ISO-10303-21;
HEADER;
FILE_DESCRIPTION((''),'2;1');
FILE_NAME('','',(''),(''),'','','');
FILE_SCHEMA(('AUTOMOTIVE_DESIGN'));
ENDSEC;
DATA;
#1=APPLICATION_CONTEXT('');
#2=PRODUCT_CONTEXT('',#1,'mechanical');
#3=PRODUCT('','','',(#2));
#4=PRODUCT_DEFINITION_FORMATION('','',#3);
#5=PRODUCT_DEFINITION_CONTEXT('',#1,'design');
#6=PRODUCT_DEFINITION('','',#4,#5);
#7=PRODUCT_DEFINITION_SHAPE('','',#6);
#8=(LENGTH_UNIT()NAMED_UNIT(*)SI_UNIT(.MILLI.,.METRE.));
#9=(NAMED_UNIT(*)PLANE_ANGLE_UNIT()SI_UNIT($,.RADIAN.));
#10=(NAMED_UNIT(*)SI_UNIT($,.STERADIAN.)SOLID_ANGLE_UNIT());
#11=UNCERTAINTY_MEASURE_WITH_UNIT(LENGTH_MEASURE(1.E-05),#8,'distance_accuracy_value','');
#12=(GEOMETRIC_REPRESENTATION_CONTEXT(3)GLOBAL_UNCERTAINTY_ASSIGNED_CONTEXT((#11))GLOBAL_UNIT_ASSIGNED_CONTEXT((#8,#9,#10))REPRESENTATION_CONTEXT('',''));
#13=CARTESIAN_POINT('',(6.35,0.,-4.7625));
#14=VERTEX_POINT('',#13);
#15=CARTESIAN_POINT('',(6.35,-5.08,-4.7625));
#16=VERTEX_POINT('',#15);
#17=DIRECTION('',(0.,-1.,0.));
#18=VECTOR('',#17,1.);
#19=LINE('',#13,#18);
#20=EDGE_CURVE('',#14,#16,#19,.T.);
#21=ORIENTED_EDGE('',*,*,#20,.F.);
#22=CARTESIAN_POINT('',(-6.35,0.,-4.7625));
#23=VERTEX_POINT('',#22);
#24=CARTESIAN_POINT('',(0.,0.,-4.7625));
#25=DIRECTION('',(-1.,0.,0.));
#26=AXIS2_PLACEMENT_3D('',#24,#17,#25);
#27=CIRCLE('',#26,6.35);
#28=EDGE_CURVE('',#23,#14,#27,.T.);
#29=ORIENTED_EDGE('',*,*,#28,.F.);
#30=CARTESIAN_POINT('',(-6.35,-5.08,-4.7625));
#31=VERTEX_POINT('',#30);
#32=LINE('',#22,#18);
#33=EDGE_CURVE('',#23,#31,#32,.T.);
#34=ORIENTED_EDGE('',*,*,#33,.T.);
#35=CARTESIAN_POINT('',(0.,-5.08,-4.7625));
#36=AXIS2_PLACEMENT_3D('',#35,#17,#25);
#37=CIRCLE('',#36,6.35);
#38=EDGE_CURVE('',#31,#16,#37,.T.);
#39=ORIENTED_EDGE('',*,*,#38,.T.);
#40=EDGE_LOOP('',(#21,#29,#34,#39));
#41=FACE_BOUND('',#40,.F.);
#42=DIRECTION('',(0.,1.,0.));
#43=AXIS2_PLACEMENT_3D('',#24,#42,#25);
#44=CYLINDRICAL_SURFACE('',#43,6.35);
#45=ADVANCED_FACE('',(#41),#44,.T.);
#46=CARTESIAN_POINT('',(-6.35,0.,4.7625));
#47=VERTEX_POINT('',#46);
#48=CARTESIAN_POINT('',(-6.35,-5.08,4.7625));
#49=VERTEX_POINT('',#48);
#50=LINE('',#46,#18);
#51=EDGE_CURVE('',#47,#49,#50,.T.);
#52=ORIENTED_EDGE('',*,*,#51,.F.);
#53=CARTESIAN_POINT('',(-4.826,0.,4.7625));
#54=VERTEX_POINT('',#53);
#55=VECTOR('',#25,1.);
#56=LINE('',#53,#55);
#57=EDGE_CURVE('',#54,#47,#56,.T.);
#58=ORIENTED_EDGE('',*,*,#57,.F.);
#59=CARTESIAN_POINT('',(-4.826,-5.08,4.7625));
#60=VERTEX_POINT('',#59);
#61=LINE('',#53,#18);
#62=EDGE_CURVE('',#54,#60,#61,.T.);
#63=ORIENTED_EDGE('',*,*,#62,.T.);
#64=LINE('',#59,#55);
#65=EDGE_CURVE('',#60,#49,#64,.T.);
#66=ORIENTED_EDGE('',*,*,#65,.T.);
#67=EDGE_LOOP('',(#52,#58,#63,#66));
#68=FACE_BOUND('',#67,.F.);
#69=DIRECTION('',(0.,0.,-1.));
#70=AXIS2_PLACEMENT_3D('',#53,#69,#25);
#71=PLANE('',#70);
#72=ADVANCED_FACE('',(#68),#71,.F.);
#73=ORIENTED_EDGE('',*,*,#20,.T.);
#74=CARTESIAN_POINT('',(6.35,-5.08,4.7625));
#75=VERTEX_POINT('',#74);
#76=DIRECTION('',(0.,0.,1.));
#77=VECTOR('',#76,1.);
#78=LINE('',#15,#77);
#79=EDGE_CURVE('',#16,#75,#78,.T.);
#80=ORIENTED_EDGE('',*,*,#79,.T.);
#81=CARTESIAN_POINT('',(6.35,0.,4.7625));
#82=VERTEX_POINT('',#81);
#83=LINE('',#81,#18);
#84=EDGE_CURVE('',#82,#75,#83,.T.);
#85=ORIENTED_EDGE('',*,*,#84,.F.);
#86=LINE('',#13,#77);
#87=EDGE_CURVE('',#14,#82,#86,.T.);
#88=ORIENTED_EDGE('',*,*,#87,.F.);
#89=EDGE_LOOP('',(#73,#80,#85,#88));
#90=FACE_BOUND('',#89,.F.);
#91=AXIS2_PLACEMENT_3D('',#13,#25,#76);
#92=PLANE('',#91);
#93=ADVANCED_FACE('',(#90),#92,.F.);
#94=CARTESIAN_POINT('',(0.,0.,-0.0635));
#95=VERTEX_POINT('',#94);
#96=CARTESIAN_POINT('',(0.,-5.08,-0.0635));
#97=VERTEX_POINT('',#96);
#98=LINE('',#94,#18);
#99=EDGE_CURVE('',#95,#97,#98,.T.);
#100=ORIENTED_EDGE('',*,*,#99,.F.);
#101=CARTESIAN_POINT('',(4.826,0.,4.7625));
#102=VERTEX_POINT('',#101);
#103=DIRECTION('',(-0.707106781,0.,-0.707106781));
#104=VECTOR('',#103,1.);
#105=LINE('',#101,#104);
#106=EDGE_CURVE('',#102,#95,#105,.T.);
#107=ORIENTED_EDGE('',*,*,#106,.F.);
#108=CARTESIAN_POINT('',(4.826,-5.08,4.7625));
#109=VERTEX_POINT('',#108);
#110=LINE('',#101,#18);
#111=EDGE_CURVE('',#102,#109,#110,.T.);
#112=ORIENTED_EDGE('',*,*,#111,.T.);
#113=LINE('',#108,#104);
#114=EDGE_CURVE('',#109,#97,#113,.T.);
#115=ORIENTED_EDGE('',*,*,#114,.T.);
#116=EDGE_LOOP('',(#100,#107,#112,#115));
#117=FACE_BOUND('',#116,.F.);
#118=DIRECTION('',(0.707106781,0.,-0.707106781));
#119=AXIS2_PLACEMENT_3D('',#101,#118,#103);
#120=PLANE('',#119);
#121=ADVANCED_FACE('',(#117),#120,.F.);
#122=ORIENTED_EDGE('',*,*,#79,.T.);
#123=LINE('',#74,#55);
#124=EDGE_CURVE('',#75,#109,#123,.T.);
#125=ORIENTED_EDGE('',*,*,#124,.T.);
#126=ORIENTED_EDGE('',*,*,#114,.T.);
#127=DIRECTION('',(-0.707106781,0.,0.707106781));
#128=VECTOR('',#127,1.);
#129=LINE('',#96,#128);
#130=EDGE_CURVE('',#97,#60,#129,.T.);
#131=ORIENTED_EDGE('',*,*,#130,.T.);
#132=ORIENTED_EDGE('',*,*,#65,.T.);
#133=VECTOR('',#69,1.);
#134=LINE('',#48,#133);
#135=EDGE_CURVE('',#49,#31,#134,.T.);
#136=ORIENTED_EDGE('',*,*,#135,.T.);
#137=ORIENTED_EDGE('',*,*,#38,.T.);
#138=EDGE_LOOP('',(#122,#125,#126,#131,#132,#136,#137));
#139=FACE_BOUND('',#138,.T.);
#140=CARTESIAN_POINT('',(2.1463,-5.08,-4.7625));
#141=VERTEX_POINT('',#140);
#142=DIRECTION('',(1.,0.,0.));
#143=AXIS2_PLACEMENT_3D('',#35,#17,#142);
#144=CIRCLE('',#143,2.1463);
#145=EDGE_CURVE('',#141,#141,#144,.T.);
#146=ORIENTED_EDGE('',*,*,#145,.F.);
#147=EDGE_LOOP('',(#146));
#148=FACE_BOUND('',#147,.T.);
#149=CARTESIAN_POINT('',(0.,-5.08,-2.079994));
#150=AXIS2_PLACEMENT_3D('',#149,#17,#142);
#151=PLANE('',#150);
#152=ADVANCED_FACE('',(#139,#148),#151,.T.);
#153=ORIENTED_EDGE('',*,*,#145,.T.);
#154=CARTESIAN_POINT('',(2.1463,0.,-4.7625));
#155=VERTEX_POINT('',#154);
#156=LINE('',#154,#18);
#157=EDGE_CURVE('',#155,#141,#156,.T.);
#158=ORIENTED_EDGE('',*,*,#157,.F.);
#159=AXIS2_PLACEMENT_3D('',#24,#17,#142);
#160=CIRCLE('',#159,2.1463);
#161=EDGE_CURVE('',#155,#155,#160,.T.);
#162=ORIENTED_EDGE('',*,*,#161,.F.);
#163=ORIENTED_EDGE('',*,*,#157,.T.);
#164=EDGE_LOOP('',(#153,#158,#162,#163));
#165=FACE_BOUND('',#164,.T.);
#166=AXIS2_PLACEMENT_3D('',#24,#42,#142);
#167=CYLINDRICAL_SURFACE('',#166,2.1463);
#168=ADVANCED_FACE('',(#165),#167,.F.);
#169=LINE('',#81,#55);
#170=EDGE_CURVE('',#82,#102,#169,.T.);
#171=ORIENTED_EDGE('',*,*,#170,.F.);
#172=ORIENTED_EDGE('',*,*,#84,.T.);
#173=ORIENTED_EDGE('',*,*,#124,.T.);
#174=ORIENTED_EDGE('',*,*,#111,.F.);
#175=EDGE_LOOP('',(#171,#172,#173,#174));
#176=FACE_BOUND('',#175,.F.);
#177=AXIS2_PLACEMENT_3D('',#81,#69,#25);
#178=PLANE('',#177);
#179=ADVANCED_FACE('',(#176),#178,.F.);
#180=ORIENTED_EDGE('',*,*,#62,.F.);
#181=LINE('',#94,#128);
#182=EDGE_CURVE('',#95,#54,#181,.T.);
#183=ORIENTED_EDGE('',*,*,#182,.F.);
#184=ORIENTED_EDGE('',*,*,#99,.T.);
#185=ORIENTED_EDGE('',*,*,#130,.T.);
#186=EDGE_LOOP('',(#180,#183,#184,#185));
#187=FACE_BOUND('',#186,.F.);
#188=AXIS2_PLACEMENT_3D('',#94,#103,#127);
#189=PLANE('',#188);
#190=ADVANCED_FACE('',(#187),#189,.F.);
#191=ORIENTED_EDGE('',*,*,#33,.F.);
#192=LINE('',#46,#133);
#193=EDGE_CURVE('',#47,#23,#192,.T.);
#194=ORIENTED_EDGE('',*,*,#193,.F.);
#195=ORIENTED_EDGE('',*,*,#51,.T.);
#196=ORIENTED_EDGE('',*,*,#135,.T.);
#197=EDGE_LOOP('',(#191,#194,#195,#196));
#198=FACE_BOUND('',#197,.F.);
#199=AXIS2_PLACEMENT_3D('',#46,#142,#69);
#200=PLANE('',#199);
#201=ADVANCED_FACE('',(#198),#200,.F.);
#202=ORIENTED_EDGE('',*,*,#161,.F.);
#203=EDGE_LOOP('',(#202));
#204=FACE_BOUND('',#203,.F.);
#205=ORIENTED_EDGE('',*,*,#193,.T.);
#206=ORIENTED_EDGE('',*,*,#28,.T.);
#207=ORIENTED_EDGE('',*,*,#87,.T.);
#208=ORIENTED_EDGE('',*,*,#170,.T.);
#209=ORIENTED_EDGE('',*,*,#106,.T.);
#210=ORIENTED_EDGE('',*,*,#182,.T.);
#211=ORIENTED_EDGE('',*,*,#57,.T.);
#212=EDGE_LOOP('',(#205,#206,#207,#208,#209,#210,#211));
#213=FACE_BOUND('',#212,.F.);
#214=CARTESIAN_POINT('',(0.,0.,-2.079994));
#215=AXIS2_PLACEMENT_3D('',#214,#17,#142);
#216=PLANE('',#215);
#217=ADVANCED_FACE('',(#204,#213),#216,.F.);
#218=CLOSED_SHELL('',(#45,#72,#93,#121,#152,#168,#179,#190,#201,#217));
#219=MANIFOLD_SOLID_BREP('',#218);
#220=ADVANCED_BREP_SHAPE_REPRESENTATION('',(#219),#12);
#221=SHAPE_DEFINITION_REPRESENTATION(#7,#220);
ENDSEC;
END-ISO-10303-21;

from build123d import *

# Parameters (mm, degrees)
F0_R     = 2.1463
F1_DEPTH = 5.08


with BuildPart() as f1:
    # F0 (on Front) → F1 (new body)
    with BuildSketch(Plane.XZ):
        with BuildLine():
            Line((6.35, -4.7625), (6.35, 4.7625))
            Line((6.35, 4.7625), (4.826, 4.7625))
            Line((4.826, 4.7625), (0, -0.0635))
            Line((0, -0.0635), (-4.826, 4.7625))
            Line((-4.826, 4.7625), (-6.35, 4.7625))
            Line((-6.35, 4.7625), (-6.35, -4.7625))
            ThreePointArc((-6.35, -4.7625), (0, -11.1125), (6.35, -4.7625))
        make_face()
        with Locations((0, -4.7625)):
            Circle(F0_R, mode=Mode.SUBTRACT)
    extrude(amount=F1_DEPTH)


solid = f1.part
